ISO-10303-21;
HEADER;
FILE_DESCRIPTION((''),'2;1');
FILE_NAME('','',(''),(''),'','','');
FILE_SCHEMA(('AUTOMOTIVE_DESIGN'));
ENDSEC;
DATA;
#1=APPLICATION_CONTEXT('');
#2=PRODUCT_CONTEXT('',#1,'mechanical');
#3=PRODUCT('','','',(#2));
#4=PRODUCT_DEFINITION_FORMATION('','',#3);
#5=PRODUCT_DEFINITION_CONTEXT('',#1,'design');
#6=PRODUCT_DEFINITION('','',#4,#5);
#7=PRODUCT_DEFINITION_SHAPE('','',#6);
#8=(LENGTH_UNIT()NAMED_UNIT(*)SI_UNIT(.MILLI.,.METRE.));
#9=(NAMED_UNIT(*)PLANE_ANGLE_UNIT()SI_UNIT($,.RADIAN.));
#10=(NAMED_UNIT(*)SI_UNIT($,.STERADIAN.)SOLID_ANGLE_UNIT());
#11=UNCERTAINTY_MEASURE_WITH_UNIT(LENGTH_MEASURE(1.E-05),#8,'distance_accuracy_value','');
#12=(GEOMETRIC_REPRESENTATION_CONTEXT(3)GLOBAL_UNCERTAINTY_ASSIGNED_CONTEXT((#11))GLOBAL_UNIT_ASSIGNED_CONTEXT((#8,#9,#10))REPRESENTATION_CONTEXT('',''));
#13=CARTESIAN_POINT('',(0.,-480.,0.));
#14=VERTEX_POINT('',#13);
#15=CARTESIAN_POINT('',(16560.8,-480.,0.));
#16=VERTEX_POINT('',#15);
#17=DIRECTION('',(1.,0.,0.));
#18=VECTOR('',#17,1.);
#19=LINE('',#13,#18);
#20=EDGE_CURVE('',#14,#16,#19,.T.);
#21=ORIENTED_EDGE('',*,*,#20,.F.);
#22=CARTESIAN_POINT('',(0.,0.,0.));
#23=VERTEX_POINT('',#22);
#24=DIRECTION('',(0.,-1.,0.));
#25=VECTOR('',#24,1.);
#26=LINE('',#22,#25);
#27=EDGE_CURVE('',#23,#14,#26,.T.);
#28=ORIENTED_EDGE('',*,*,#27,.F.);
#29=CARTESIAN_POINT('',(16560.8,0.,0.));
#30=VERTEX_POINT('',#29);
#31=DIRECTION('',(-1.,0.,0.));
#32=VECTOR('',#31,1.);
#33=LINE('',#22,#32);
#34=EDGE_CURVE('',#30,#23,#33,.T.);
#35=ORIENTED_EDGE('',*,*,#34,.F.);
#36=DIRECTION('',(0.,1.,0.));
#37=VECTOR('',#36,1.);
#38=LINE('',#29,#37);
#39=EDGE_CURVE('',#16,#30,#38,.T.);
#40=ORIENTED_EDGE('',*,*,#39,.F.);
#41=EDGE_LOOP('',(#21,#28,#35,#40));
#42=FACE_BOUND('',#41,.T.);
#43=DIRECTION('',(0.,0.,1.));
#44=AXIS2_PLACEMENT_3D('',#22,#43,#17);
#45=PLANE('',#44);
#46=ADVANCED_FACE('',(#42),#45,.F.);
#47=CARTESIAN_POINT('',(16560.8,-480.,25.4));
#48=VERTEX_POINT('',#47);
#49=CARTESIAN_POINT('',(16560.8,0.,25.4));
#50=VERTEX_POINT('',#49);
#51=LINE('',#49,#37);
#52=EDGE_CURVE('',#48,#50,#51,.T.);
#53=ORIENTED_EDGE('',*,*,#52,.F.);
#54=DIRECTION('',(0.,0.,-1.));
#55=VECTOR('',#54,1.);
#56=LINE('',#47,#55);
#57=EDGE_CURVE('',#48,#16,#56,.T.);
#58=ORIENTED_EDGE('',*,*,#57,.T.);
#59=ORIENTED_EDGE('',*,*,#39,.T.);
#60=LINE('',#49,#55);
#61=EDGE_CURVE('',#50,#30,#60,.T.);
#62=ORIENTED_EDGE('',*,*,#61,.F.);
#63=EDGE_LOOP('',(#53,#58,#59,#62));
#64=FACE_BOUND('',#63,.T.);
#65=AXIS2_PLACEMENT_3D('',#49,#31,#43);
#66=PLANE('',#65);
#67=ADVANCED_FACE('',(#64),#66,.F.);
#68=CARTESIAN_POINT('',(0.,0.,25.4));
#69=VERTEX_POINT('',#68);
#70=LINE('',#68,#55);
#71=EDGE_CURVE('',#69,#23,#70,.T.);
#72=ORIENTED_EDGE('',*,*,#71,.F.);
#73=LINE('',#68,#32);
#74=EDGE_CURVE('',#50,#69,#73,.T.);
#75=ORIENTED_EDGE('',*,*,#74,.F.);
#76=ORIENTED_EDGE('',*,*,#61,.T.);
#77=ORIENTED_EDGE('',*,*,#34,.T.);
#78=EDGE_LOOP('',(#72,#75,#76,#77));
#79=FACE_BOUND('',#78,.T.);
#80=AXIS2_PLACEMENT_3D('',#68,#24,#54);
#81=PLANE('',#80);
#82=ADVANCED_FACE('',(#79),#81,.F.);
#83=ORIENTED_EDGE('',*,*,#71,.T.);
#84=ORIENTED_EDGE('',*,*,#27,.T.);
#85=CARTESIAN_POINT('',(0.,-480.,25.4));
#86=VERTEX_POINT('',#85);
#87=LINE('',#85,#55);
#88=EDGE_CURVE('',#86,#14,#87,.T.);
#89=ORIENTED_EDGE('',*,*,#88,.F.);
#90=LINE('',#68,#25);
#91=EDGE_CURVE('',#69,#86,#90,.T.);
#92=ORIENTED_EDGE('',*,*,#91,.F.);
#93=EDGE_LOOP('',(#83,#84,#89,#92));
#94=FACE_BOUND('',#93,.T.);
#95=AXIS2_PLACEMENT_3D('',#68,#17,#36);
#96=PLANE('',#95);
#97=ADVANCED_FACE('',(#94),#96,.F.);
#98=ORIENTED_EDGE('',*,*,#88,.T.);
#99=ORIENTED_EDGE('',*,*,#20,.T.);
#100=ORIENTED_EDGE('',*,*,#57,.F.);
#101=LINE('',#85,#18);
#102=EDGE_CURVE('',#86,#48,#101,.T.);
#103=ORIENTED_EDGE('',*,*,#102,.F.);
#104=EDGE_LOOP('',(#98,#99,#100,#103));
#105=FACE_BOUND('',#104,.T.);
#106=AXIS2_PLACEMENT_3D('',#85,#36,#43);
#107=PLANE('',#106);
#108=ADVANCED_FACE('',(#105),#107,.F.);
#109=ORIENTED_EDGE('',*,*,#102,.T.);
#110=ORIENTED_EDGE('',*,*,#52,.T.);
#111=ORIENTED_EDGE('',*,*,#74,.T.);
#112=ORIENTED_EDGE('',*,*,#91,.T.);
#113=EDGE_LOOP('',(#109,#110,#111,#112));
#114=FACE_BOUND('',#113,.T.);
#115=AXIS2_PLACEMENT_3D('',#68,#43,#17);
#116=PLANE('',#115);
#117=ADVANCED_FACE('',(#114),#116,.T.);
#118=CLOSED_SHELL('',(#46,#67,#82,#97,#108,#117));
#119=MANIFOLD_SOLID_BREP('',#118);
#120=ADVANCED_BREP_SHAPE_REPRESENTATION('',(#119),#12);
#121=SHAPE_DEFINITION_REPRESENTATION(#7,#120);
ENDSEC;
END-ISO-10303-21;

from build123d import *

# Parameters (mm, degrees)
SKETCH1_W           = 16560.8
SKETCH1_H           = 480
BOSS_EXTRUDE1_DEPTH = 25.4


with BuildPart() as part:
    # Sketch1 → Boss-Extrude1 (new body)
    with BuildSketch(Plane.XY):
        with Locations((8280.4, -240)):
            Rectangle(SKETCH1_W, SKETCH1_H)
    extrude(amount=BOSS_EXTRUDE1_DEPTH)


solid = part.part
